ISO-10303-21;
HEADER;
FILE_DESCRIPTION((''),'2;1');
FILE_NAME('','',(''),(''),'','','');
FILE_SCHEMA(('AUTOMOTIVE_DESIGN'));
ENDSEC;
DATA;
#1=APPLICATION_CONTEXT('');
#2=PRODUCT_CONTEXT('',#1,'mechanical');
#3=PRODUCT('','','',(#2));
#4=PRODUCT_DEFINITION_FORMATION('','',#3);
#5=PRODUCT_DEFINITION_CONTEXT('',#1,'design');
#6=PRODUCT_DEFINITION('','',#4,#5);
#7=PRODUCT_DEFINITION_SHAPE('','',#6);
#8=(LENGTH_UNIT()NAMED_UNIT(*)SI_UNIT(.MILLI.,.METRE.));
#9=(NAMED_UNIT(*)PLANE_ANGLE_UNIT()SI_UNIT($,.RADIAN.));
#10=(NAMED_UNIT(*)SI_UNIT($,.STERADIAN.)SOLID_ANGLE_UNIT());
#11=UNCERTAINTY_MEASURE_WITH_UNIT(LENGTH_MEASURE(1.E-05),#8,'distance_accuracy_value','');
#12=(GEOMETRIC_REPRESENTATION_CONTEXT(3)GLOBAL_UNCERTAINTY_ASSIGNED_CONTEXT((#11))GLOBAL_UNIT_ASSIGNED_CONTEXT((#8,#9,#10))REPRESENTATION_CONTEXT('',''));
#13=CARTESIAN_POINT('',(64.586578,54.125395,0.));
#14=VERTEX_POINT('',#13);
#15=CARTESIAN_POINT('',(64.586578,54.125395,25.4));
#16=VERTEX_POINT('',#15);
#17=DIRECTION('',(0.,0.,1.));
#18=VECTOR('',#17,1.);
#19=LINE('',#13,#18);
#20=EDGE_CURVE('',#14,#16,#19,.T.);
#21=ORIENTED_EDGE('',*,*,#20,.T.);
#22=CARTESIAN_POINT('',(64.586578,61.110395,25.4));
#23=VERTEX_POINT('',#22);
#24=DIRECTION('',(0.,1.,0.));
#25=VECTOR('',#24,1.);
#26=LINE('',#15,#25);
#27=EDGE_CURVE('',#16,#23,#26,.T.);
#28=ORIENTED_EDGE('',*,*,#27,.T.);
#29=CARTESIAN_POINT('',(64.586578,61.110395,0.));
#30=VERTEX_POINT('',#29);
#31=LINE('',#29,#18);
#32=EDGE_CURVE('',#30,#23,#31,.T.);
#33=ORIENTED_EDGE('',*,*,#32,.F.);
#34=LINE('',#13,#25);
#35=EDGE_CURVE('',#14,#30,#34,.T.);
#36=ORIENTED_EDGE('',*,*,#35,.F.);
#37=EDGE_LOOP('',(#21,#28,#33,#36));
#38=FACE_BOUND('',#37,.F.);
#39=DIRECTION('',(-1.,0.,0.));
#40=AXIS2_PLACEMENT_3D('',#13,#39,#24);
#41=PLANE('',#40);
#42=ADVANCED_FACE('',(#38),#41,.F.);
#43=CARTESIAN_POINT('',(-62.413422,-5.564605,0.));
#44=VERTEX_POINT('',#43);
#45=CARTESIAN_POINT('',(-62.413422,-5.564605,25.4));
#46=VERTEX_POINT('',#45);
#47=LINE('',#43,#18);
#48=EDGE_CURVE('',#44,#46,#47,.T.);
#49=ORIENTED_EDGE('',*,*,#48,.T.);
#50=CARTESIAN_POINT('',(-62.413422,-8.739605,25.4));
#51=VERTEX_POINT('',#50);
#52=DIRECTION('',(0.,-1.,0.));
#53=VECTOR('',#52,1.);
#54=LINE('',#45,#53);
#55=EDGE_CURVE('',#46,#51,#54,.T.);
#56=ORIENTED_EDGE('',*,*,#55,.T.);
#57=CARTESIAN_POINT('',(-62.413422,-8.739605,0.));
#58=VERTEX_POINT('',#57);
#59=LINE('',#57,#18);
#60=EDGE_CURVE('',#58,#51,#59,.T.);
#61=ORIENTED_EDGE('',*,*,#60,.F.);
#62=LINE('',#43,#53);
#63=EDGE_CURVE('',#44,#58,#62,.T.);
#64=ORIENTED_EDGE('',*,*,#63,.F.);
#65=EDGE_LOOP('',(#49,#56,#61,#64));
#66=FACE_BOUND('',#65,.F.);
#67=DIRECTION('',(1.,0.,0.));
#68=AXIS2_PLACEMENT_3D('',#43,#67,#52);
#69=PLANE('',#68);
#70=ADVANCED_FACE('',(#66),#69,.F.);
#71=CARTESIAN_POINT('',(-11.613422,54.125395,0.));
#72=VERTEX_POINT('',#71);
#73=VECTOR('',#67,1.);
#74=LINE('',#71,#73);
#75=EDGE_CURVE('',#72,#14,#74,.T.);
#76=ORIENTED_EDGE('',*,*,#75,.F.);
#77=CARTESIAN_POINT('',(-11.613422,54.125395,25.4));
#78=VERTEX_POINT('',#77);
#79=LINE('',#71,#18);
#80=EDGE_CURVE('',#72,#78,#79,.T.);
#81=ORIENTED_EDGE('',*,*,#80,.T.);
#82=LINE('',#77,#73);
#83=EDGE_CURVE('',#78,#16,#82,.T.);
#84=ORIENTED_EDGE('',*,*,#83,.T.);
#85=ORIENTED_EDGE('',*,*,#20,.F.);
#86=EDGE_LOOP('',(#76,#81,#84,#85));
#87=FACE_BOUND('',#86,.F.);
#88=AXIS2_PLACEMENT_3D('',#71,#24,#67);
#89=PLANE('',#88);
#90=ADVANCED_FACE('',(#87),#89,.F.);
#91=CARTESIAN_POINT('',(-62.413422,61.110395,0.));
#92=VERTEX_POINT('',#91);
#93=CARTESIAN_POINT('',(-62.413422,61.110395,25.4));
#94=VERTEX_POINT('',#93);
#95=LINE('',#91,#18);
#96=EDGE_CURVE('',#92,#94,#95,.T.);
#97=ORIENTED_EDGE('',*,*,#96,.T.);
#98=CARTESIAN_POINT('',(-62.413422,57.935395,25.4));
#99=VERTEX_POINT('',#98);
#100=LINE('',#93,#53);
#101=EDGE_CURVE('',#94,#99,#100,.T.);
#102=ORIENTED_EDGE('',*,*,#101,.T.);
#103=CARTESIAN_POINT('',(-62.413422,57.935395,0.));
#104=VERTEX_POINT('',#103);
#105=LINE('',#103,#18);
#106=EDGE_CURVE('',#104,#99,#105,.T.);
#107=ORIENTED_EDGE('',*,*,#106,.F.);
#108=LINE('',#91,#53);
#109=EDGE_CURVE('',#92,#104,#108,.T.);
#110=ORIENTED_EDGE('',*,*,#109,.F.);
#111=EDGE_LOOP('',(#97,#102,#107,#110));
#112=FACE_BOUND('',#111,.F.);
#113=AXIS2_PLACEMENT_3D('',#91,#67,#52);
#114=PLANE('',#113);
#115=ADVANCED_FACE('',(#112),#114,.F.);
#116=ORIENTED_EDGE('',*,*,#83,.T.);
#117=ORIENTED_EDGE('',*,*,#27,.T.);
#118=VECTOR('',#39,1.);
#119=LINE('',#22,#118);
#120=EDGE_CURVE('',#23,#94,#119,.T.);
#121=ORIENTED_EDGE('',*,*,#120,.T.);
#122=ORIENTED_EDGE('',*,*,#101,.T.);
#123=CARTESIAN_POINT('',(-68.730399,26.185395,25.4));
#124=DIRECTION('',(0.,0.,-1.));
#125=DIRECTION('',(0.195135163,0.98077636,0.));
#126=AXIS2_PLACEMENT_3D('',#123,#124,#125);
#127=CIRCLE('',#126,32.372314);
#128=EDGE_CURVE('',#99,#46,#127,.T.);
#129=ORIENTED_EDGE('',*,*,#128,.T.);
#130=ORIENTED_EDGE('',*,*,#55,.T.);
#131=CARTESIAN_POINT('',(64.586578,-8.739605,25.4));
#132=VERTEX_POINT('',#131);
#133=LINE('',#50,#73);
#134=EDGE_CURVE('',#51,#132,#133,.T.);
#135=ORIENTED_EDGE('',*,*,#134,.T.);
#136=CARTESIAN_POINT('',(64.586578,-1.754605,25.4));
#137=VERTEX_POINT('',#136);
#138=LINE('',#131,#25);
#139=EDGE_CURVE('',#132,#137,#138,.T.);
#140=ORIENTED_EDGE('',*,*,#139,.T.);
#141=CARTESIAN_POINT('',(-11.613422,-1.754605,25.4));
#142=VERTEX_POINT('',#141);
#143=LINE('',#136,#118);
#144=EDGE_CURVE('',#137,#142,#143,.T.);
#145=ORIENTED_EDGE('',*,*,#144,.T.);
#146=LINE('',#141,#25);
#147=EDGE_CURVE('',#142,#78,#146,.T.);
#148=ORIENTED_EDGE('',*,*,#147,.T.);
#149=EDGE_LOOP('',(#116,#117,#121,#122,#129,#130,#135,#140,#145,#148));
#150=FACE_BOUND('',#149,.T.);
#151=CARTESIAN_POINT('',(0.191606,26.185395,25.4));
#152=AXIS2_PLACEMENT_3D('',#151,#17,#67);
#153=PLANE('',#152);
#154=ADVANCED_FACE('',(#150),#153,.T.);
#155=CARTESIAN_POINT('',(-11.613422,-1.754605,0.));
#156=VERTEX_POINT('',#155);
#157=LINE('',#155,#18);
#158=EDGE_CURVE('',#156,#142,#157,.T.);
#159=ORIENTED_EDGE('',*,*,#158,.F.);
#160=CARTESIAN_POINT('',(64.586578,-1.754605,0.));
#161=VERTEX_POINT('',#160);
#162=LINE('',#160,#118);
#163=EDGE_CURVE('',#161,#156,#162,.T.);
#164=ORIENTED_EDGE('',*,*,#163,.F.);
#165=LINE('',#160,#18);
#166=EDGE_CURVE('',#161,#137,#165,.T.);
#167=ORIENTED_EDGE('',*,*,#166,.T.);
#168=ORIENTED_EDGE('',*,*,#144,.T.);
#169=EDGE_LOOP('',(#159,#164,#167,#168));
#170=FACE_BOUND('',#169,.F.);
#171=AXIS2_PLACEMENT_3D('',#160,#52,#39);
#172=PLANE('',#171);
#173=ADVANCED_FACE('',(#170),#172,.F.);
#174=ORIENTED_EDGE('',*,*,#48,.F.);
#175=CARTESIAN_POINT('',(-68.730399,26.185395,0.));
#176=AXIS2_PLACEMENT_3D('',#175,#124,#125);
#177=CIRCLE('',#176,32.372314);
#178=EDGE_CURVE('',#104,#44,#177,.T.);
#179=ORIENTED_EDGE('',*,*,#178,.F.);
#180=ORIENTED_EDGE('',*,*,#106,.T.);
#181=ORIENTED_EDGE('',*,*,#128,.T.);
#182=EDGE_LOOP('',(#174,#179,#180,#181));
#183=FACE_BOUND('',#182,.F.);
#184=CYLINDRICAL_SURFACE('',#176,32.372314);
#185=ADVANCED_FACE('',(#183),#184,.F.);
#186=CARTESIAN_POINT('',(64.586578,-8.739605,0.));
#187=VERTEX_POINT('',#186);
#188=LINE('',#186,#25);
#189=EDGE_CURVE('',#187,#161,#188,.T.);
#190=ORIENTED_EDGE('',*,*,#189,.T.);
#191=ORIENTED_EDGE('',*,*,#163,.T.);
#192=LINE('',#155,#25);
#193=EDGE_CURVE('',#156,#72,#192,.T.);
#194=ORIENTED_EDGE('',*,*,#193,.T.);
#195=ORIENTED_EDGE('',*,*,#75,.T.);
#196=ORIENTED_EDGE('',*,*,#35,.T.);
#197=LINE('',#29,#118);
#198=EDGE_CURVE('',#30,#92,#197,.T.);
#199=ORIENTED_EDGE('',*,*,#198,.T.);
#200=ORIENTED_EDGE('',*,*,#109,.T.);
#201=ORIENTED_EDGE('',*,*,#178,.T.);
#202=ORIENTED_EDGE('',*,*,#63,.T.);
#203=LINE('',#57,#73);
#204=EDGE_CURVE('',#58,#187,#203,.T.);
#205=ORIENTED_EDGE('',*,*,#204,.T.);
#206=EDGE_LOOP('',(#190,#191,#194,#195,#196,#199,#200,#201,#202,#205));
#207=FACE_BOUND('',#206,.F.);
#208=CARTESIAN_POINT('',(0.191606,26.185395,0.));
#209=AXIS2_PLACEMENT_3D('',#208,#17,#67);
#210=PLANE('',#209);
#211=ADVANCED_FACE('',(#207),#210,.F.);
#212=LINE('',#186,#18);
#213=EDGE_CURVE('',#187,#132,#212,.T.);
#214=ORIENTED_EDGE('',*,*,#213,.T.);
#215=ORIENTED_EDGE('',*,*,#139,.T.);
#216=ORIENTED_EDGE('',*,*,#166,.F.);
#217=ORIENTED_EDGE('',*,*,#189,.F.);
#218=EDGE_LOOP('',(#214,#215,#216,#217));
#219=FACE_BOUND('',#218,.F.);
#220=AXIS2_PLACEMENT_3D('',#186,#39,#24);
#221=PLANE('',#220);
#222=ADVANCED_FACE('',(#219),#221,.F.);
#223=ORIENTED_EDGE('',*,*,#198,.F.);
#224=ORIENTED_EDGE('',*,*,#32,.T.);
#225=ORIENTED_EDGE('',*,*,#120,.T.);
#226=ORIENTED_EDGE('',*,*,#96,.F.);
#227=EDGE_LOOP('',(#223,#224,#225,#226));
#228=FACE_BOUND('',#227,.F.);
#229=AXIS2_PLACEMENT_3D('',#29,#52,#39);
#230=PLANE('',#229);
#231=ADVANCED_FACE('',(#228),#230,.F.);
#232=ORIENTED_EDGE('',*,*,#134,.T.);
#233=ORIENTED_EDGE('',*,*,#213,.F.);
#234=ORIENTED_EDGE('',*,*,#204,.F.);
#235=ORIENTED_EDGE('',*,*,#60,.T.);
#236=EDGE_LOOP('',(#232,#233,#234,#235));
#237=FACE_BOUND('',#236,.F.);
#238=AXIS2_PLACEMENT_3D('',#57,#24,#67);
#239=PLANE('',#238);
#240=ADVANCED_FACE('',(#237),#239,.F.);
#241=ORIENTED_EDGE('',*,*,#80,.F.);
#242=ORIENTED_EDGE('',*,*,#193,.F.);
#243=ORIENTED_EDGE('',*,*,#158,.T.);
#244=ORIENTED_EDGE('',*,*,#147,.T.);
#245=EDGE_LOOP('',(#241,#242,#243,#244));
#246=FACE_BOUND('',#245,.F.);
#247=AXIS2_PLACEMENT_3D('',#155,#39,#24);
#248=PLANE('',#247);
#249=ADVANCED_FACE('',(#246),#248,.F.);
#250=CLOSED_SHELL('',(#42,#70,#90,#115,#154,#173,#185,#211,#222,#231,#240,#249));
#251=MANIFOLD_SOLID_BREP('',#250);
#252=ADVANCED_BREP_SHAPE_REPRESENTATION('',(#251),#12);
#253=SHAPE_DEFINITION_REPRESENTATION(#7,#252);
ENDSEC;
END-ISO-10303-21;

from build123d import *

# Parameters (mm, degrees)
F1_DEPTH = 25.4


with BuildPart() as f1:
    # F0 (on Top) → F1 (new body)
    with BuildSketch(Plane.XY):
        with BuildLine():
            Line((64.586578, 61.110395), (-62.413422, 61.110395))
            Line((-62.413422, 61.110395), (-62.413422, 57.935395))
            ThreePointArc((-62.413422, 57.935395), (-36.358085, 26.185395), (-62.413422, -5.564605))
            Line((-62.413422, -5.564605), (-62.413422, -8.739605))
            Line((-62.413422, -8.739605), (64.586578, -8.739605))
            Line((64.586578, -8.739605), (64.586578, -1.754605))
            Line((64.586578, -1.754605), (-11.613422, -1.754605))
            Line((-11.613422, -1.754605), (-11.613422, 54.125395))
            Line((-11.613422, 54.125395), (64.586578, 54.125395))
            Line((64.586578, 54.125395), (64.586578, 61.110395))
        make_face()
    extrude(amount=F1_DEPTH)


solid = f1.part
